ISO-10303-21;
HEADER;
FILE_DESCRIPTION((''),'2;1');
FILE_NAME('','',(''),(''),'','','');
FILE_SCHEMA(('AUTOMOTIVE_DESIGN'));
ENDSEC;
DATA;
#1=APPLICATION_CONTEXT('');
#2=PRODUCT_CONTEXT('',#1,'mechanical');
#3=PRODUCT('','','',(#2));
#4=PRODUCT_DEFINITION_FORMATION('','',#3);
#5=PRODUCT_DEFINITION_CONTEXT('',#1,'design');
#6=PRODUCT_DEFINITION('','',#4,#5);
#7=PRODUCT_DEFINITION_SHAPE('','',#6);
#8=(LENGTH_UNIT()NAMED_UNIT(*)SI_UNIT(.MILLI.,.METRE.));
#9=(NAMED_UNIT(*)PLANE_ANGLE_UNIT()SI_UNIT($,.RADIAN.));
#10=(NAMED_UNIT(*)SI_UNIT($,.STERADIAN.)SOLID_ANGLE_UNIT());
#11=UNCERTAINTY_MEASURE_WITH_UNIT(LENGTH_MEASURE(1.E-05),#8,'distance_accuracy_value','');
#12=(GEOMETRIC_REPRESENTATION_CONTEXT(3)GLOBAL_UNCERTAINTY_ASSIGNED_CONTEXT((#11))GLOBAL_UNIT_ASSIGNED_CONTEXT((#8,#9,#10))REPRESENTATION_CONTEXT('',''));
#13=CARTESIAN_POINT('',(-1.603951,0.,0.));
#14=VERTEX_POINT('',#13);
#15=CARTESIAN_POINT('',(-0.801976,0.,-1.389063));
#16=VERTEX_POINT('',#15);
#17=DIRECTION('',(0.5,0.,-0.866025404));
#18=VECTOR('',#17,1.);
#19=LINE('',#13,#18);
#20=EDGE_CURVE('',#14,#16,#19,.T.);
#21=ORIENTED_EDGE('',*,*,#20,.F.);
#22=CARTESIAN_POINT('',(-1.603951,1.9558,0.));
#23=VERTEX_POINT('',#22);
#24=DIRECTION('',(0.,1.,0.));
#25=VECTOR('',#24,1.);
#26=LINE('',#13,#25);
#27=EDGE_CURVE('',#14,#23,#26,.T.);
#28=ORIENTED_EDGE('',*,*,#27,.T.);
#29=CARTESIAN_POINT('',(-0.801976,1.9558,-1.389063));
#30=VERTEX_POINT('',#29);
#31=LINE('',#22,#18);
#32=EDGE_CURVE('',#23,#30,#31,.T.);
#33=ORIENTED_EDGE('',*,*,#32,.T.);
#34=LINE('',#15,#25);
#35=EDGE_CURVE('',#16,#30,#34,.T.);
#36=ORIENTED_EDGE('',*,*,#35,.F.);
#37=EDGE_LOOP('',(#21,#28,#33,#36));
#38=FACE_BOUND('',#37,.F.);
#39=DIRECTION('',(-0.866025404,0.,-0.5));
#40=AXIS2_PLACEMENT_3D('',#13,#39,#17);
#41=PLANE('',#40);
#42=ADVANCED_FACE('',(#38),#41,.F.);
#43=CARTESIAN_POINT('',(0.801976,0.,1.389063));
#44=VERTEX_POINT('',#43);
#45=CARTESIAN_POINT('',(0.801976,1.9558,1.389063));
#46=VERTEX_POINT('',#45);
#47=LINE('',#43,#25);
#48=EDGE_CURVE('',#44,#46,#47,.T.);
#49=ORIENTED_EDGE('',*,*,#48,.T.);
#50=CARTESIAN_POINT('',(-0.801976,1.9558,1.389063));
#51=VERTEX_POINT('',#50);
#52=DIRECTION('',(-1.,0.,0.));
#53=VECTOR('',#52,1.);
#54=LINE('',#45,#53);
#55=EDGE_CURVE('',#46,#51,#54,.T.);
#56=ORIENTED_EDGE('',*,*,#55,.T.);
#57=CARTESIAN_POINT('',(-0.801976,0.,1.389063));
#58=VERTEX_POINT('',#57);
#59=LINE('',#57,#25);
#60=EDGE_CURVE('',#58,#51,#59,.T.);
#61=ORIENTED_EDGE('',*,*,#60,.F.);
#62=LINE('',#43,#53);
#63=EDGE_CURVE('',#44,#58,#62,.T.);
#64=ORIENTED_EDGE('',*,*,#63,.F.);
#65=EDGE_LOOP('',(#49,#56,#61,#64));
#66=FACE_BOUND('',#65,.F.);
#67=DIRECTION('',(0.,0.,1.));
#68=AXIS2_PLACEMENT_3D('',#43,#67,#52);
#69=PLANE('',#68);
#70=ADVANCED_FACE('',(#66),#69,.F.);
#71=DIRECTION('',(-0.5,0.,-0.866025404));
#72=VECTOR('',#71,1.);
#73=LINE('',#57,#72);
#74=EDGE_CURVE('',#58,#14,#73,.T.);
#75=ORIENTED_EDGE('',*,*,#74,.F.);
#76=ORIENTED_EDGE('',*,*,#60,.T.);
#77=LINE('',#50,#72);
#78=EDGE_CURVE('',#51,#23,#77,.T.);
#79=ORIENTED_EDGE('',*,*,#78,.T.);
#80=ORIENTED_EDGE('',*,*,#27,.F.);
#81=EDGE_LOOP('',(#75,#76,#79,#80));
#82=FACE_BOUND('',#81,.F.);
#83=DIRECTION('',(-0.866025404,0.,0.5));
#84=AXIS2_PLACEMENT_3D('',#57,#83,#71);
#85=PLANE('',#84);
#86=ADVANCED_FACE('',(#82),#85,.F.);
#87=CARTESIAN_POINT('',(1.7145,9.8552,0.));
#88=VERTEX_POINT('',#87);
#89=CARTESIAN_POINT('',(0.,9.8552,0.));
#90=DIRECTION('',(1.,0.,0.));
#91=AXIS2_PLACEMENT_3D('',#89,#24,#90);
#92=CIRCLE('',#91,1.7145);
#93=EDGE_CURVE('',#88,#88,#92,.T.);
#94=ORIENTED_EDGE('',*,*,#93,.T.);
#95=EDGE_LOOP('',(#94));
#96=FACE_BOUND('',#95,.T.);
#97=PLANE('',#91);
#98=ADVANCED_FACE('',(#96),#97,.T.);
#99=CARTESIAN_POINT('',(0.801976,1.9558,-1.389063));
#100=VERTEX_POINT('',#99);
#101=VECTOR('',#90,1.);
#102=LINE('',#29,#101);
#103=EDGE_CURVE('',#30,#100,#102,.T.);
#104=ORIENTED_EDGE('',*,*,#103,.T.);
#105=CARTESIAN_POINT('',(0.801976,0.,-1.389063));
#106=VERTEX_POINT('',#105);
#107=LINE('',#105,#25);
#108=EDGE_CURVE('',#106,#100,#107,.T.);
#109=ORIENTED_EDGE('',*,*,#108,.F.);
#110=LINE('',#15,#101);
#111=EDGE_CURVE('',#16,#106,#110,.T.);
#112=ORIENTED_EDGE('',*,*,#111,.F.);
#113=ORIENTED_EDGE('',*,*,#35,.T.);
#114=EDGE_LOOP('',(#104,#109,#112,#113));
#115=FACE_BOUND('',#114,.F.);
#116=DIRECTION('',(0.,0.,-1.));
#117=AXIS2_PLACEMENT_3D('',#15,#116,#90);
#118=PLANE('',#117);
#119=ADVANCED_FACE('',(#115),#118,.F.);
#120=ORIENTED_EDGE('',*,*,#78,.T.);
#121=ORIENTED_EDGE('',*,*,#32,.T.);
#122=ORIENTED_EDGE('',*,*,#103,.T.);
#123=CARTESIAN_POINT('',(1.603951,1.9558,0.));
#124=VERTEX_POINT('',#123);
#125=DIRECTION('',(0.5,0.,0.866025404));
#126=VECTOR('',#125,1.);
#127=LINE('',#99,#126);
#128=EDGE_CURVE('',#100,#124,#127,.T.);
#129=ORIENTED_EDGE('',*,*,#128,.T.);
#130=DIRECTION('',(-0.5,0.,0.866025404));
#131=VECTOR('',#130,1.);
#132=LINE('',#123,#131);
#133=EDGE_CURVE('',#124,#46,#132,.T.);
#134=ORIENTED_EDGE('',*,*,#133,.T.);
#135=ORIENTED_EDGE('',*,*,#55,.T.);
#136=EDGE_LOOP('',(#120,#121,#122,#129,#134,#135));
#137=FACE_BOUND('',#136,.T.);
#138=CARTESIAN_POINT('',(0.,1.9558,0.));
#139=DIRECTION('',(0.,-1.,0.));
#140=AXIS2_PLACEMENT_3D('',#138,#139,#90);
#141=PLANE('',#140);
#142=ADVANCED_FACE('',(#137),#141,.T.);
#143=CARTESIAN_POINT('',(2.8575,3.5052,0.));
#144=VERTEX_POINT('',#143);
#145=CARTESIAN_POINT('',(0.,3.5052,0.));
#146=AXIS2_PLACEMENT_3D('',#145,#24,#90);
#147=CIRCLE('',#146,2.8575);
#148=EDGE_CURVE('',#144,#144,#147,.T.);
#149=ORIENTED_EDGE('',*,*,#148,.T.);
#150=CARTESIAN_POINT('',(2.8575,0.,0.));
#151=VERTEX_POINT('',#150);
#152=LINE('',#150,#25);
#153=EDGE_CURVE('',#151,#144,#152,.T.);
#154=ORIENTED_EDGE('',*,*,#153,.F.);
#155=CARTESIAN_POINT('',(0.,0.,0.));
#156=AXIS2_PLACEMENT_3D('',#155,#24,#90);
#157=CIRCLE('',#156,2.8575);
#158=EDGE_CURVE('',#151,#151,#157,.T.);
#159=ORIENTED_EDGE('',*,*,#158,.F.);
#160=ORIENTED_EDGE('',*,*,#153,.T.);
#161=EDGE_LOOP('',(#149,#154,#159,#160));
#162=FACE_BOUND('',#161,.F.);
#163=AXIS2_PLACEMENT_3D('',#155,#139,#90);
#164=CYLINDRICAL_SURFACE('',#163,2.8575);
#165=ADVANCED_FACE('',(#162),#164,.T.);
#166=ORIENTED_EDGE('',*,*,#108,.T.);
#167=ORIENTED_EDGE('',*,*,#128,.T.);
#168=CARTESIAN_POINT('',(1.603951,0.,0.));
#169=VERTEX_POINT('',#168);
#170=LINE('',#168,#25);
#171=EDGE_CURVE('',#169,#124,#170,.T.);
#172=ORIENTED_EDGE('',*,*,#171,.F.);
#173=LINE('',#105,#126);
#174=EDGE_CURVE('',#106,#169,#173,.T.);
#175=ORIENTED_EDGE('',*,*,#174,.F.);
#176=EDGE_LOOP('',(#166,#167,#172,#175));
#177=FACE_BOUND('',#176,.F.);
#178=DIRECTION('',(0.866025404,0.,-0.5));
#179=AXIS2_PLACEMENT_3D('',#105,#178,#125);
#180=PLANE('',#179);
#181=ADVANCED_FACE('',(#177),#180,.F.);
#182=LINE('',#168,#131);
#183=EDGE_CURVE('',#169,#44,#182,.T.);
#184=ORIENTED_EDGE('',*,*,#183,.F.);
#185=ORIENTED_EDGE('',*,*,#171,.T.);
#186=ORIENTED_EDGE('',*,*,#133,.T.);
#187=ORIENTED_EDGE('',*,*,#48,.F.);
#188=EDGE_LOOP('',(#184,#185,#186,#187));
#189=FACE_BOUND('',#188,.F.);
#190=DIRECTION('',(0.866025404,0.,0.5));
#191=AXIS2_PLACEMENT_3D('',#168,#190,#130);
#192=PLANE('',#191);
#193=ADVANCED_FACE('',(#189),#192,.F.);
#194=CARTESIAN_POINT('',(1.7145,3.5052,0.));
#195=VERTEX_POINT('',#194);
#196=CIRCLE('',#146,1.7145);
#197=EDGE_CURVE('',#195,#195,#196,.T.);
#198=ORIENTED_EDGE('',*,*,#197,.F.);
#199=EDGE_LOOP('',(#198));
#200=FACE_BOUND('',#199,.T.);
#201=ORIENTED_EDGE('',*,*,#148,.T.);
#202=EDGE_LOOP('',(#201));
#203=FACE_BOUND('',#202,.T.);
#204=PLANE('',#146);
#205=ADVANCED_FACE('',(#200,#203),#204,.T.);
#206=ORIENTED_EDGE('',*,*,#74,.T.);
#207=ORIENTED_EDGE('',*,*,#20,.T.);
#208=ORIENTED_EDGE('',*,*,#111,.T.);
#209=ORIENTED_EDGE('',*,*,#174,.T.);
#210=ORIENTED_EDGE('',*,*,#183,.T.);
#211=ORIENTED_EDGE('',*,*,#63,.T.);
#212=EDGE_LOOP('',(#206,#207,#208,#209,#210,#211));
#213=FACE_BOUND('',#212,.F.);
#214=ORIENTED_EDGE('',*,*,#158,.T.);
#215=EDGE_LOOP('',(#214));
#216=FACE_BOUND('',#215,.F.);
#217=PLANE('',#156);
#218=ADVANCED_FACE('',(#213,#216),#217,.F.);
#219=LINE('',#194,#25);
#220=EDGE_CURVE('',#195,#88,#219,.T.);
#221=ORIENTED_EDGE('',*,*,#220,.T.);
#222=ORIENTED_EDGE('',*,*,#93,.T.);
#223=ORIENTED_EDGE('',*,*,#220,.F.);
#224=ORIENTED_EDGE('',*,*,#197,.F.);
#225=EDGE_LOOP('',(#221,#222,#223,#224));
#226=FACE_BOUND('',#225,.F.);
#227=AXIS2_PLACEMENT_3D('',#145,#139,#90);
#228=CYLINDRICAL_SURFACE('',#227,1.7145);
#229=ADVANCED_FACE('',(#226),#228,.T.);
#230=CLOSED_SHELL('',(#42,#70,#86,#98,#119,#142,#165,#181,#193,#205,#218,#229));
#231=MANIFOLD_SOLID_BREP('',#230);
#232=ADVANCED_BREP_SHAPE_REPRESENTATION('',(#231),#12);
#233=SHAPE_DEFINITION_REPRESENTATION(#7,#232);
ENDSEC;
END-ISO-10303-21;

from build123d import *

# Parameters (mm, degrees)
SKETCH1_R           = 2.8575
BOSS_EXTRUDE1_DEPTH = 3.5052
CUT_EXTRUDE1_DEPTH  = 1.9558
SKETCH3_R           = 1.7145
BOSS_EXTRUDE2_DEPTH = 6.35


with BuildPart() as part:
    # Sketch1 → Boss-Extrude1 (new body)
    with BuildSketch(Plane(origin=(0, 0, 0), x_dir=(1, 0, 0), z_dir=(0, 1, 0))):
        Circle(SKETCH1_R)
    extrude(amount=BOSS_EXTRUDE1_DEPTH)

    # Sketch2 → Cut-Extrude1 (cut)
    with BuildSketch(Plane.XZ):
        Polygon((1.603951217, 0), (0.801975608, 1.3890625), (-0.801975608, 1.3890625), (-1.603951217, 0), (-0.801975608, -1.3890625), (0.801975608, -1.3890625), align=None)
    extrude(amount=-CUT_EXTRUDE1_DEPTH, mode=Mode.SUBTRACT)

    # Sketch3 → Boss-Extrude2 (add)
    with BuildSketch(Plane(origin=(0, 3.5052, 0), x_dir=(1, 0, 0), z_dir=(0, 1, 0))):
        Circle(SKETCH3_R)
    extrude(amount=BOSS_EXTRUDE2_DEPTH)


solid = part.part
